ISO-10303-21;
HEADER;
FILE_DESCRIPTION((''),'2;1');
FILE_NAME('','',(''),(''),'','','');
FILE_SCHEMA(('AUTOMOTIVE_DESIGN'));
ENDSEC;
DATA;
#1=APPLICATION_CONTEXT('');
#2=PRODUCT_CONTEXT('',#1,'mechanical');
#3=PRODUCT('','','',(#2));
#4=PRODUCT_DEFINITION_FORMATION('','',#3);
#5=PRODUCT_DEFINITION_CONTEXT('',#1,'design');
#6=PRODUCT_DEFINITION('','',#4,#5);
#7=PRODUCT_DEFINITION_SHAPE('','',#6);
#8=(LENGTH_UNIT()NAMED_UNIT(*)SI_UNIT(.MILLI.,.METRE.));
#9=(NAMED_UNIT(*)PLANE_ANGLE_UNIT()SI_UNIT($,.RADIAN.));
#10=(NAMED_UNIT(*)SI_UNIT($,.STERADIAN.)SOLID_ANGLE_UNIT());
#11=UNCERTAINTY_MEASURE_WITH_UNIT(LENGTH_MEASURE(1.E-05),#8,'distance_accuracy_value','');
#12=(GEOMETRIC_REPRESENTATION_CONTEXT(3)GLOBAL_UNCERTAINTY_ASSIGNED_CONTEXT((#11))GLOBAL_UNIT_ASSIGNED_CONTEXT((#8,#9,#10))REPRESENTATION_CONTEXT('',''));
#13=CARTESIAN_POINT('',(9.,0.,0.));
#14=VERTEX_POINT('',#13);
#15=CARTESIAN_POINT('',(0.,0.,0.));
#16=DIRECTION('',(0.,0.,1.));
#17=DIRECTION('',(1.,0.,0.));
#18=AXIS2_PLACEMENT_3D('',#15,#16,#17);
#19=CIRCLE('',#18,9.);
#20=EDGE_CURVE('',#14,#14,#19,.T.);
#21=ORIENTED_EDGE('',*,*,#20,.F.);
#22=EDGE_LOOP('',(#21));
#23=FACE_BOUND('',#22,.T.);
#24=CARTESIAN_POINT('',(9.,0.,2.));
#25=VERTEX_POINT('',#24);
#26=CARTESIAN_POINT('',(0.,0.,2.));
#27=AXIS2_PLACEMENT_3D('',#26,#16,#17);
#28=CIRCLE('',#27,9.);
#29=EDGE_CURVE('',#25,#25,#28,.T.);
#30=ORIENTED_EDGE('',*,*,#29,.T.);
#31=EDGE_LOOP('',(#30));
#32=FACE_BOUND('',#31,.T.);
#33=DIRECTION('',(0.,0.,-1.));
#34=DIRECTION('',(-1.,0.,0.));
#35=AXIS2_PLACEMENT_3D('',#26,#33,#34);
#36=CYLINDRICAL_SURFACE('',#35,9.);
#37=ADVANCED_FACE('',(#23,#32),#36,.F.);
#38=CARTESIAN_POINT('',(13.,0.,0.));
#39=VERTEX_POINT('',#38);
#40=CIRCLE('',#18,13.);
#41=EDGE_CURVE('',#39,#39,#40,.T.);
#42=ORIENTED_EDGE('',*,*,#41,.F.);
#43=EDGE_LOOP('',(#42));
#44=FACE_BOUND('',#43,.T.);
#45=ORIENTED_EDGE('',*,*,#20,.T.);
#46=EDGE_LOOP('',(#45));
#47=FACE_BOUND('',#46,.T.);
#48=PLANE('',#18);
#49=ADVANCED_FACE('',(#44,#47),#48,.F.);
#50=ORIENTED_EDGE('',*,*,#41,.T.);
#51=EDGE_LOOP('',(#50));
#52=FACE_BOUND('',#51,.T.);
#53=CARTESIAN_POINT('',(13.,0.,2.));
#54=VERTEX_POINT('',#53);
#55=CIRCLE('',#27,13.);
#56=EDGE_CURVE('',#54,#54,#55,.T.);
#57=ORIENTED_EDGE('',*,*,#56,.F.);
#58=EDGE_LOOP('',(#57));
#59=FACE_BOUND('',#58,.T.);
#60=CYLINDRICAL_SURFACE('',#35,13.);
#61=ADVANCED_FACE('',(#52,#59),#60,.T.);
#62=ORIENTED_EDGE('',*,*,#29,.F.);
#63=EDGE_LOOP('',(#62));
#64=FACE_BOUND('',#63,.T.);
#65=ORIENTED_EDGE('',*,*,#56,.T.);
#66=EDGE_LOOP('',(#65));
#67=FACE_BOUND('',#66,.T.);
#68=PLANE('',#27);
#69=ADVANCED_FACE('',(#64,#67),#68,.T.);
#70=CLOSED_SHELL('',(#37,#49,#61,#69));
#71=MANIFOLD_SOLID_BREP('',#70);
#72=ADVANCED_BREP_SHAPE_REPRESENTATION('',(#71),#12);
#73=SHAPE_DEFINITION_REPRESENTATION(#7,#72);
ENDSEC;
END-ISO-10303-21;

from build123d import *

# Parameters (mm, degrees)
SKETCH_3_R      = 13
SKETCH_3_R_2    = 9
EXTRUDE_1_DEPTH = 2


with BuildPart() as part:
    # 草图3 → 凸台-拉伸1 (new body)
    with BuildSketch(Plane.XY):
        Circle(SKETCH_3_R)
        Circle(SKETCH_3_R_2, mode=Mode.SUBTRACT)
    extrude(amount=EXTRUDE_1_DEPTH)


solid = part.part
